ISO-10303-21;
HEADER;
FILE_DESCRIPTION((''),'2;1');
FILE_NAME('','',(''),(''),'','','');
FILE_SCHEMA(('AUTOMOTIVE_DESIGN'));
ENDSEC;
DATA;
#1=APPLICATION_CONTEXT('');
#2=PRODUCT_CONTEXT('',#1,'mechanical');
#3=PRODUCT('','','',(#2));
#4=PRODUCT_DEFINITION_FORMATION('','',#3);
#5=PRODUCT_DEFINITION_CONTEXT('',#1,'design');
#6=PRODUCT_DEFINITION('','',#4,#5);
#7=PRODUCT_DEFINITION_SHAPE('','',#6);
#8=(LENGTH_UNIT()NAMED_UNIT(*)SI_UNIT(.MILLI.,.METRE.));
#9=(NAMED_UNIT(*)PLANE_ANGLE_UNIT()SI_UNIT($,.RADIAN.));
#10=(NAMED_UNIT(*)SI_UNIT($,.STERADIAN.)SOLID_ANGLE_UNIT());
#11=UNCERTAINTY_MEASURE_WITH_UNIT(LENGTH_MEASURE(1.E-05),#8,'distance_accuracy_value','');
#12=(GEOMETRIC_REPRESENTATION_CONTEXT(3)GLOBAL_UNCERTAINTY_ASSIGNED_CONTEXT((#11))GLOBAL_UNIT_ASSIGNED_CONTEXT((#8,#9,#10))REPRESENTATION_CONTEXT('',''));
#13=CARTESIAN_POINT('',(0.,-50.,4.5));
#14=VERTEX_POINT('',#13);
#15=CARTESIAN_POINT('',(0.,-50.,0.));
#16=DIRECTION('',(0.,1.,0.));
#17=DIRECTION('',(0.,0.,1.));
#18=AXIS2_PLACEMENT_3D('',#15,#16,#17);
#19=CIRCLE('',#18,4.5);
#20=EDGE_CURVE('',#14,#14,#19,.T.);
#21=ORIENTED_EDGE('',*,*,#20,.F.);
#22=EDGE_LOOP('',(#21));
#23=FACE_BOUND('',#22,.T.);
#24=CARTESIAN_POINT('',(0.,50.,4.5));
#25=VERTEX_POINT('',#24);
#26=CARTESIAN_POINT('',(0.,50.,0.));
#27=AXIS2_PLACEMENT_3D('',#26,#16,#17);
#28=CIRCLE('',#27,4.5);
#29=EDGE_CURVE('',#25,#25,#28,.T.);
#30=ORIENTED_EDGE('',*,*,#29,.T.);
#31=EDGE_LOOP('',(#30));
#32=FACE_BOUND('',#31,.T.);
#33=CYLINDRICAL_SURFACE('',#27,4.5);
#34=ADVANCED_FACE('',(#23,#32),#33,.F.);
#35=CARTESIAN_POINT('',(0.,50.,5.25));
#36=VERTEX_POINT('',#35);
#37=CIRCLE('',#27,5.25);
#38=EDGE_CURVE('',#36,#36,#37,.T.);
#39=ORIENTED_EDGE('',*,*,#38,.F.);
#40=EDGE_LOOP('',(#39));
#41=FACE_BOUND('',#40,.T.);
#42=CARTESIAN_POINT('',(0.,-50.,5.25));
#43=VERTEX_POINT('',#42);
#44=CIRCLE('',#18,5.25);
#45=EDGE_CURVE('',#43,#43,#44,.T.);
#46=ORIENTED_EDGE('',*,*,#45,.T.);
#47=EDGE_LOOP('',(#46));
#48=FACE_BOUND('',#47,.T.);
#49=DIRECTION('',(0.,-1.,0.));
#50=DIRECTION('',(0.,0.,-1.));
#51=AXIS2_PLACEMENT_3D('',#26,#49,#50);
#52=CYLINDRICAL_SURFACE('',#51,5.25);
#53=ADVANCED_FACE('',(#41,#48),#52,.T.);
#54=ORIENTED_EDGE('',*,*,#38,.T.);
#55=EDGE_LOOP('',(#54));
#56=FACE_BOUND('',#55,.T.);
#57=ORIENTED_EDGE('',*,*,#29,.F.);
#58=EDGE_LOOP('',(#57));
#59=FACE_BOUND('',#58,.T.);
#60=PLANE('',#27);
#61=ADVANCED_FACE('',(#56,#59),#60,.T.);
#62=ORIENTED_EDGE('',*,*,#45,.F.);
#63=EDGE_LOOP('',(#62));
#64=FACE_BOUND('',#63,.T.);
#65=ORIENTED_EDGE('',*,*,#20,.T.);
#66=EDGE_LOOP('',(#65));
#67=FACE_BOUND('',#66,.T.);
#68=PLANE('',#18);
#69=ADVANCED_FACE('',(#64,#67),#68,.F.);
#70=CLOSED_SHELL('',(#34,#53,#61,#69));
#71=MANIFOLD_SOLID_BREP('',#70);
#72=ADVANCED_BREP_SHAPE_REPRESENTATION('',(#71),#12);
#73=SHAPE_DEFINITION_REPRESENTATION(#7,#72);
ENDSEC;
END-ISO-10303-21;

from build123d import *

# Parameters (mm, degrees)
SKETCH_1_R      = 5.25
EXTRUDE_1_DEPTH = 50
M10X1_0_1_D     = 9


with BuildPart() as part:
    # 草图1 → 凸台-拉伸1 (new, symmetric)
    with BuildSketch(Plane(origin=(0, 0, 0), x_dir=(1, 0, 0), z_dir=(0, 1, 0))):
        with Locations(Location((0, 0, 0), (0, 0, 270))):
            Circle(SKETCH_1_R)
    extrude(amount=EXTRUDE_1_DEPTH, both=True)

    # M10x1.0 螺纹孔1 (through all)
    with Locations(Plane.ZX.offset(50)):
        with Locations((0, 0)):
            Hole(M10X1_0_1_D / 2)


solid = part.part
